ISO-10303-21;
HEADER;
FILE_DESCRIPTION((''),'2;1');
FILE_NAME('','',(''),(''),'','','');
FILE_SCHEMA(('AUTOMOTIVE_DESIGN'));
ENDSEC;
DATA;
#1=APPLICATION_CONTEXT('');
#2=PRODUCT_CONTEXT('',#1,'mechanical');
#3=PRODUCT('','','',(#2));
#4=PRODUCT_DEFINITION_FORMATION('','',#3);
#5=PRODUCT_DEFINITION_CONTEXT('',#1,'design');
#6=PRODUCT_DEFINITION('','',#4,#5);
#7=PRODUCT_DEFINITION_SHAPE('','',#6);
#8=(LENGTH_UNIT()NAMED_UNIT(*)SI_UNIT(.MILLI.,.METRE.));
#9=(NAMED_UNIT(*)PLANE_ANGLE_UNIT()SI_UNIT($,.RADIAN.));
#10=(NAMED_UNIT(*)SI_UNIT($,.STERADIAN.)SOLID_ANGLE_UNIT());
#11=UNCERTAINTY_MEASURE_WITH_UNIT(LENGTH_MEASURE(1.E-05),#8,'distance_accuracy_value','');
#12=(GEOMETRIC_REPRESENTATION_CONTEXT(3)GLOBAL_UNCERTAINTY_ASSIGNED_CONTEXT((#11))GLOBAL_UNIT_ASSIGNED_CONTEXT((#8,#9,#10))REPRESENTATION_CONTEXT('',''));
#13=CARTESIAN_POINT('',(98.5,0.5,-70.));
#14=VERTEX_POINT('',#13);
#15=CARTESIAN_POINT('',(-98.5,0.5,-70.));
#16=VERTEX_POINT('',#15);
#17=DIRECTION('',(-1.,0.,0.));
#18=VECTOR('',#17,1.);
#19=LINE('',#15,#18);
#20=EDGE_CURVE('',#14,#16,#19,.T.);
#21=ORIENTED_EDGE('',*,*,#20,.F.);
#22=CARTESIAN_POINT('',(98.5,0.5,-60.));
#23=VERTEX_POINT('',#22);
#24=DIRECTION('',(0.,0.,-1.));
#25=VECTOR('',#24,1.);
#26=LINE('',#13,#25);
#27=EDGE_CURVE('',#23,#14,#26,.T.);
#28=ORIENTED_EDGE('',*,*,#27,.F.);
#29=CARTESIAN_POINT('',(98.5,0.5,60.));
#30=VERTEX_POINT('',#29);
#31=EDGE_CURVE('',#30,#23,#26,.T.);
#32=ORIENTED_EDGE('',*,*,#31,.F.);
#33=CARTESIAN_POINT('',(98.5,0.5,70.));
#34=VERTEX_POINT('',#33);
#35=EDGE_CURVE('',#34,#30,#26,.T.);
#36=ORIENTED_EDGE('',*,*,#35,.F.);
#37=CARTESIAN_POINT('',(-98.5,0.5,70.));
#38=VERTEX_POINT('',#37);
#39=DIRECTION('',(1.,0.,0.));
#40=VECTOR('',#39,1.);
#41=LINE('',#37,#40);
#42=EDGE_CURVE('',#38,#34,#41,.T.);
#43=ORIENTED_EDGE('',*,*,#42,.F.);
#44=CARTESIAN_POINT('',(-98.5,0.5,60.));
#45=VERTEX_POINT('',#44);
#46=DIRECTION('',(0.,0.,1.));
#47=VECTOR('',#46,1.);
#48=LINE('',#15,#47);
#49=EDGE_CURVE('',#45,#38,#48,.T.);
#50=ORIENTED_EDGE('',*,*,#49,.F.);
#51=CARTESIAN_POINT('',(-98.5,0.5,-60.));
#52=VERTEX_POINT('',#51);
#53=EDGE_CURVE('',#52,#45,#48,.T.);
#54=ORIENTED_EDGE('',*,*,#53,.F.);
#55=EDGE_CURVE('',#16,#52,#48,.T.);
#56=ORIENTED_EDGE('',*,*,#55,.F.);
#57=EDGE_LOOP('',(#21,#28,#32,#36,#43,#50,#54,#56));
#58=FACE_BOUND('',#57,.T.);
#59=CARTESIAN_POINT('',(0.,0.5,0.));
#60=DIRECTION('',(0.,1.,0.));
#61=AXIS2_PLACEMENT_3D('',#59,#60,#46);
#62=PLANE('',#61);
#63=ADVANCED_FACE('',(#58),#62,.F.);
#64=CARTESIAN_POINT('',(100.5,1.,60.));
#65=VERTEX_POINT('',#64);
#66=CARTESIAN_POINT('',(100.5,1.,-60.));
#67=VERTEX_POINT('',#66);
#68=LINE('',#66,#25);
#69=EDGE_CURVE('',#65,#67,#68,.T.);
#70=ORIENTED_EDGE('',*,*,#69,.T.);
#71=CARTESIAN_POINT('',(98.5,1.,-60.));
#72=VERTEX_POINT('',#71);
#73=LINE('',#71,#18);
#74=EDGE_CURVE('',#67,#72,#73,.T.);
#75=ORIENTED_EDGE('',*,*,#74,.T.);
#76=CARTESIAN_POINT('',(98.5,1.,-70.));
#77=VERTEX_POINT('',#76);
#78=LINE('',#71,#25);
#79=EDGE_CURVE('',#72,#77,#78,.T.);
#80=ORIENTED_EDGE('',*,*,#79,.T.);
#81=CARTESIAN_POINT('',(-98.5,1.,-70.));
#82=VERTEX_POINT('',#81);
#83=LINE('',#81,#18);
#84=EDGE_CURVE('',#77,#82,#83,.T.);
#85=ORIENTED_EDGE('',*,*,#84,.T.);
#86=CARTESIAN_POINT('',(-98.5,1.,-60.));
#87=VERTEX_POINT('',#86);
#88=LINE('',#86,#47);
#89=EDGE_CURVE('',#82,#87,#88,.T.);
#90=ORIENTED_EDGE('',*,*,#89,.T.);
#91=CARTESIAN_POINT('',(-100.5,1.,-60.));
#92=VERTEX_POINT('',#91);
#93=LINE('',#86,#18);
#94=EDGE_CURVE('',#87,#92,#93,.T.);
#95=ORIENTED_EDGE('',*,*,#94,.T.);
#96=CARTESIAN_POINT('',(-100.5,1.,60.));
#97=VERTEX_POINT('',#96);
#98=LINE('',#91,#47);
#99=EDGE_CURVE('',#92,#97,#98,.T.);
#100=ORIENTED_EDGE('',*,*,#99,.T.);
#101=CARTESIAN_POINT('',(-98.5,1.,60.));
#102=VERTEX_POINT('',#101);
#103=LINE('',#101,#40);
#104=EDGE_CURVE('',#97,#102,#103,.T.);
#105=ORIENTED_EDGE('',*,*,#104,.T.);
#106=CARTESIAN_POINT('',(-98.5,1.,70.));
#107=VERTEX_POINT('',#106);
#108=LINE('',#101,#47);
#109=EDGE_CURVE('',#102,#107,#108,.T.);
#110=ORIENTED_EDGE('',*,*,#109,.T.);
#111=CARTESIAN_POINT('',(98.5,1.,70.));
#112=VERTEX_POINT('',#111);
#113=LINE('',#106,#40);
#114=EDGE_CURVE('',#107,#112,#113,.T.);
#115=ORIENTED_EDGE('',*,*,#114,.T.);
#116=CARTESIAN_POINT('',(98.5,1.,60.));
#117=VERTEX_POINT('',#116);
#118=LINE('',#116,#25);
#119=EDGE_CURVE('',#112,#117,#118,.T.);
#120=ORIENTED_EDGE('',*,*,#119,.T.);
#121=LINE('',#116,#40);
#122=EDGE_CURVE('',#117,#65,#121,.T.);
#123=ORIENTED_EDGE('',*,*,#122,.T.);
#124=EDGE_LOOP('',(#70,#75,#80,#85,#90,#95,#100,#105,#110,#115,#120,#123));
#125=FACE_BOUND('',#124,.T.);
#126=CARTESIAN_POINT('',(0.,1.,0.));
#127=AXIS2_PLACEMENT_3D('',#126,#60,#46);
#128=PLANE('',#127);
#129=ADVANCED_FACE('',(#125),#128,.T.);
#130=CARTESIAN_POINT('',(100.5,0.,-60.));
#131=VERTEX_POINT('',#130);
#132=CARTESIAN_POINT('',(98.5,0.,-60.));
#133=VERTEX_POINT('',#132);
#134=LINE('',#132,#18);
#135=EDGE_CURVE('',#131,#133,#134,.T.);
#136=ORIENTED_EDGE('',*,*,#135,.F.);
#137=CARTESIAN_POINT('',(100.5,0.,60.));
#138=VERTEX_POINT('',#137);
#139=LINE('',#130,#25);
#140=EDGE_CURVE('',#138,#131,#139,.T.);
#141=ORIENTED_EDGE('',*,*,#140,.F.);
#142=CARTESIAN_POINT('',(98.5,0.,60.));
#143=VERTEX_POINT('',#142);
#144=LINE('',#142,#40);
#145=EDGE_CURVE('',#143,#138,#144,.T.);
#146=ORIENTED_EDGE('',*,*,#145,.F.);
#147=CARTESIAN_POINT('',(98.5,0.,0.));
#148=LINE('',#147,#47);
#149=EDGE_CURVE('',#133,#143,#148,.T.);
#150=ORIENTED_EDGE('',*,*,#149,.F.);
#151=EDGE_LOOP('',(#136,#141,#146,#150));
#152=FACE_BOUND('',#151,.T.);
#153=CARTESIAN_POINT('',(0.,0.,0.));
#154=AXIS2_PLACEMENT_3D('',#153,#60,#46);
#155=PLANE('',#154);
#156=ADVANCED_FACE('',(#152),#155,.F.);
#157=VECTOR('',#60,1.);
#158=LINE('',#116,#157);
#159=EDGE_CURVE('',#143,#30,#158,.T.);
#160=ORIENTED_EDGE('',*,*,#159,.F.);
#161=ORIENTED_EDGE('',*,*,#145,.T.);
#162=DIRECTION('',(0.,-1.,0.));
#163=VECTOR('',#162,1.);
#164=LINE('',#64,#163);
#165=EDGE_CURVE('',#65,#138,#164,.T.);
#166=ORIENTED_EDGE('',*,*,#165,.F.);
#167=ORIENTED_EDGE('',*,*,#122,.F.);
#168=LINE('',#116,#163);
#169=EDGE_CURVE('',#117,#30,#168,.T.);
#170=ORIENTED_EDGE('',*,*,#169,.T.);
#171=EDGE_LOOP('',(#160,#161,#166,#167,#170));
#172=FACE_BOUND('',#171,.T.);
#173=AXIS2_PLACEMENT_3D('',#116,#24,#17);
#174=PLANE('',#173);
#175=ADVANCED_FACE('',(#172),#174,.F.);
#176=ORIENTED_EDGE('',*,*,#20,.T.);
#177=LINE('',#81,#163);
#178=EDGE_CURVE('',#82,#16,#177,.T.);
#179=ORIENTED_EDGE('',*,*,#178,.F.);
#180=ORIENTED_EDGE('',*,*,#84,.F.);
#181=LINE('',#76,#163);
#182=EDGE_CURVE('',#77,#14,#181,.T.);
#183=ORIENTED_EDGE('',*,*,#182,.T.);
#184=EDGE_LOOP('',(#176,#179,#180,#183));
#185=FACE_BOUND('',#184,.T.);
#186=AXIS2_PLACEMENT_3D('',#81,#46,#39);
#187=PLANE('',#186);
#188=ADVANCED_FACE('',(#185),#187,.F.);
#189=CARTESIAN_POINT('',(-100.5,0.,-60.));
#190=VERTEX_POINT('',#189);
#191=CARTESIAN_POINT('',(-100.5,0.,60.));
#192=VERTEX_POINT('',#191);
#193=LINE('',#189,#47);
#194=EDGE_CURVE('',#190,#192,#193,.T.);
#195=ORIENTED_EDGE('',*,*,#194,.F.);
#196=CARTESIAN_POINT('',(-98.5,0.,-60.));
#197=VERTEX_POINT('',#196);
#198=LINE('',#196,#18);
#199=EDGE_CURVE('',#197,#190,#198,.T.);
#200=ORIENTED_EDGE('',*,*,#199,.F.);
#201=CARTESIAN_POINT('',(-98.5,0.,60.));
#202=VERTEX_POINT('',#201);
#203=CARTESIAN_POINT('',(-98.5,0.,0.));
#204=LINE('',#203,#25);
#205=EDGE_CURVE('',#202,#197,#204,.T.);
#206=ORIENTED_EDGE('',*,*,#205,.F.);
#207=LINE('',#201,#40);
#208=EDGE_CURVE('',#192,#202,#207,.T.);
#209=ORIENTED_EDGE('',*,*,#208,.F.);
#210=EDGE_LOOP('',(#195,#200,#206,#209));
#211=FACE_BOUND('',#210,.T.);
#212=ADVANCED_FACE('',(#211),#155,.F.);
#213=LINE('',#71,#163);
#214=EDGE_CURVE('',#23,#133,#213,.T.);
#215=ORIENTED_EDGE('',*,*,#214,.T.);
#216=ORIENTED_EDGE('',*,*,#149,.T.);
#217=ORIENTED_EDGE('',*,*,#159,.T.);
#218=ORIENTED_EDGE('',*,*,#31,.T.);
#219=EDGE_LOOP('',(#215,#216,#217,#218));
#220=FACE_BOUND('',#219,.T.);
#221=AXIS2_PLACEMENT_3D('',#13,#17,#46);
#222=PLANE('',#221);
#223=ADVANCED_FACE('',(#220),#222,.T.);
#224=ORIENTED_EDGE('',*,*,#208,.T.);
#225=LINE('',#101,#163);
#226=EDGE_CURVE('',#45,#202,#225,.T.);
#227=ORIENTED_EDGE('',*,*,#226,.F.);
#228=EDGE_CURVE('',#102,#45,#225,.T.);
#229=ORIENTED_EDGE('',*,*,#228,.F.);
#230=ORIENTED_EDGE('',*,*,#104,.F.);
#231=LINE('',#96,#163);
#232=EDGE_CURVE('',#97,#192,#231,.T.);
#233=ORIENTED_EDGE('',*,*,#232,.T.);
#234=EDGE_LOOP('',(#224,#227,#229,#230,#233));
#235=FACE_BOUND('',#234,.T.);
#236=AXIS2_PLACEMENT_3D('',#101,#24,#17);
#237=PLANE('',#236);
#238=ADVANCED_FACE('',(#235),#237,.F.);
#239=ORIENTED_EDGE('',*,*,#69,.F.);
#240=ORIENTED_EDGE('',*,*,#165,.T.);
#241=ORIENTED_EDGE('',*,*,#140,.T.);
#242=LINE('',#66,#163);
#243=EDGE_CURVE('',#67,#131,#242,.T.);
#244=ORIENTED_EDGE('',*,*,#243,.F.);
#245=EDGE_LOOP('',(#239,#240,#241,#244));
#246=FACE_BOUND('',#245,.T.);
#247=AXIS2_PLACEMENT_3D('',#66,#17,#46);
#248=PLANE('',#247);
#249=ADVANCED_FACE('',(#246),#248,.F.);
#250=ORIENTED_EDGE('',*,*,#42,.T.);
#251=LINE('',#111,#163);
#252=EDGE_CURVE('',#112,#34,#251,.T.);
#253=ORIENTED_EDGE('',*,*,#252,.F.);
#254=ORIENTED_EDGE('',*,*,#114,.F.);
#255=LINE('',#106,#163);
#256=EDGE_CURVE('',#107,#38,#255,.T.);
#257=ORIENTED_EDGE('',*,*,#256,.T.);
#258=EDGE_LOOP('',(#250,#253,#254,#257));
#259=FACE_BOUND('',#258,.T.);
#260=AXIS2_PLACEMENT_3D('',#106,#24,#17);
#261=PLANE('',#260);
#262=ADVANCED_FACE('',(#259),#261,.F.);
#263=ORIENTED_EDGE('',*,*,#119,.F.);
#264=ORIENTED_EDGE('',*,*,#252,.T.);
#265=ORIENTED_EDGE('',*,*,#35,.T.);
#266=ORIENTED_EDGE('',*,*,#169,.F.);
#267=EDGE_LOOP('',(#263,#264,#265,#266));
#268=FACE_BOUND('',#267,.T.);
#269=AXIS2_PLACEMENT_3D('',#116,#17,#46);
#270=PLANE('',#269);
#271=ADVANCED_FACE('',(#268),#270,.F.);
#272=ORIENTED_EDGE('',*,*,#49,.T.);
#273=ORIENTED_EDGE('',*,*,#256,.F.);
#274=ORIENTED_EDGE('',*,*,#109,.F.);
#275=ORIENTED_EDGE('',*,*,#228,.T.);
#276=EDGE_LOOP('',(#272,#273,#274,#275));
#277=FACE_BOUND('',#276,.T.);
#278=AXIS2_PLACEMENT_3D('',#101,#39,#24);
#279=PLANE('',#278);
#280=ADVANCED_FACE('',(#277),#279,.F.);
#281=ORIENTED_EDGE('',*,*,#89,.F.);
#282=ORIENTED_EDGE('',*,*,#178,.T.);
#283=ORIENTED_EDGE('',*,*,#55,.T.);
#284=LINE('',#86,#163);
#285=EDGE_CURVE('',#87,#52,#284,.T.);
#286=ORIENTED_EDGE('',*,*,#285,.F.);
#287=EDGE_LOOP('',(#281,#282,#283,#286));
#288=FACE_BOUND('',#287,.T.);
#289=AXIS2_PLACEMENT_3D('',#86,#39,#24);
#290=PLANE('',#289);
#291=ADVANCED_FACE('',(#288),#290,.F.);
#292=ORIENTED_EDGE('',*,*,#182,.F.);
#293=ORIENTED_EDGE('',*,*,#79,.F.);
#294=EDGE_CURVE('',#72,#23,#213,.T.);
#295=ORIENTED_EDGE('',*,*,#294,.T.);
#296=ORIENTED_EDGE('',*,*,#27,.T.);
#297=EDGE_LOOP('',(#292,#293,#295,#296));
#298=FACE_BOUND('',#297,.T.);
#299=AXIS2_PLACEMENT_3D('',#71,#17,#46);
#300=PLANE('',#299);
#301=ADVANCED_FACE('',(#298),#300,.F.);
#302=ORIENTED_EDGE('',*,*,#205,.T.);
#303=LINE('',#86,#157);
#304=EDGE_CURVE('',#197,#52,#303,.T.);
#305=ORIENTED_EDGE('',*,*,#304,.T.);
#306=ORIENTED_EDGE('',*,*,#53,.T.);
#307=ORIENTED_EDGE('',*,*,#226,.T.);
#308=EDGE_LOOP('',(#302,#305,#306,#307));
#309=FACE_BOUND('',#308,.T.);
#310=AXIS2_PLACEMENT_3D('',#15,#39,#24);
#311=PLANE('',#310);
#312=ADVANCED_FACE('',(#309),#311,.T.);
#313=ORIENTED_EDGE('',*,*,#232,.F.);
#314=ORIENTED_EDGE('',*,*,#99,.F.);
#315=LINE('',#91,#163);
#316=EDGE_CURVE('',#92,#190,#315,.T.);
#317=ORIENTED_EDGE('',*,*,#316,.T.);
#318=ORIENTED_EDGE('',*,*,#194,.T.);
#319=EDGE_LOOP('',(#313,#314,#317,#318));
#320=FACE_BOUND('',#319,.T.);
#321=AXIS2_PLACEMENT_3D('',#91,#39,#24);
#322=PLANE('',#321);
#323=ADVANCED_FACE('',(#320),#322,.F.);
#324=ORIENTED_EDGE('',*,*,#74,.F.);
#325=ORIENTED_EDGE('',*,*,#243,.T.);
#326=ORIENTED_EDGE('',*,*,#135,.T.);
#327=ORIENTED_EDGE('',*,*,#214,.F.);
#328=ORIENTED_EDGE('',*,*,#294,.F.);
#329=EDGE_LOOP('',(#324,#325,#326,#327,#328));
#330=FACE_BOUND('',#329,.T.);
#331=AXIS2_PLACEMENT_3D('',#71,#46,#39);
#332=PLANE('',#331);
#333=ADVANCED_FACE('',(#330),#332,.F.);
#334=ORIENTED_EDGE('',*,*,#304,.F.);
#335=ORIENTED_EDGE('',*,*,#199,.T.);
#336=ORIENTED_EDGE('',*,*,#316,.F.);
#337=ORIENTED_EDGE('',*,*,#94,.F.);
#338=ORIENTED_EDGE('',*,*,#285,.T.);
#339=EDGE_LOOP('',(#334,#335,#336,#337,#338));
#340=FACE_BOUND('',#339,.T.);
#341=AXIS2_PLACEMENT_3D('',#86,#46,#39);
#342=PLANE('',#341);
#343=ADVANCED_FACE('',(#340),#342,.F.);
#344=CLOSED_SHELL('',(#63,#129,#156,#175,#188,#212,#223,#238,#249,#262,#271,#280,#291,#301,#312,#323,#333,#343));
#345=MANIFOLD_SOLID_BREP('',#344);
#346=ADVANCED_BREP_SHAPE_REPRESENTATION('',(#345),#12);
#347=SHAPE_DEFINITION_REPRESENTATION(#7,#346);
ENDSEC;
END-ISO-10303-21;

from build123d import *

# Parameters (mm, degrees)
EXTRUDE_1_DEPTH     = 1
SKETCH_4_W          = 197
SKETCH_4_H          = 140
CUT_EXTRUDE_3_DEPTH = 0.5


with BuildPart() as part:
    # 草图1 → 凸台-拉伸1 (new body)
    with BuildSketch(Plane(origin=(0, 0, 0), x_dir=(1, 0, 0), z_dir=(0, 1, 0))):
        Polygon((-98.5, 60), (-100.5, 60), (-100.5, -60), (-98.5, -60), (-98.5, -70), (98.5, -70), (98.5, -60), (100.5, -60), (100.5, 60), (98.5, 60), (98.5, 70), (-98.5, 70), align=None)
    extrude(amount=EXTRUDE_1_DEPTH)

    # 草图4 → 切除-拉伸3 (cut)
    with BuildSketch(Plane(origin=(0, 0, 0), x_dir=(1, 0, 0), z_dir=(0, 1, 0))):
        Rectangle(SKETCH_4_W, SKETCH_4_H)
    extrude(amount=CUT_EXTRUDE_3_DEPTH, mode=Mode.SUBTRACT)


solid = part.part
